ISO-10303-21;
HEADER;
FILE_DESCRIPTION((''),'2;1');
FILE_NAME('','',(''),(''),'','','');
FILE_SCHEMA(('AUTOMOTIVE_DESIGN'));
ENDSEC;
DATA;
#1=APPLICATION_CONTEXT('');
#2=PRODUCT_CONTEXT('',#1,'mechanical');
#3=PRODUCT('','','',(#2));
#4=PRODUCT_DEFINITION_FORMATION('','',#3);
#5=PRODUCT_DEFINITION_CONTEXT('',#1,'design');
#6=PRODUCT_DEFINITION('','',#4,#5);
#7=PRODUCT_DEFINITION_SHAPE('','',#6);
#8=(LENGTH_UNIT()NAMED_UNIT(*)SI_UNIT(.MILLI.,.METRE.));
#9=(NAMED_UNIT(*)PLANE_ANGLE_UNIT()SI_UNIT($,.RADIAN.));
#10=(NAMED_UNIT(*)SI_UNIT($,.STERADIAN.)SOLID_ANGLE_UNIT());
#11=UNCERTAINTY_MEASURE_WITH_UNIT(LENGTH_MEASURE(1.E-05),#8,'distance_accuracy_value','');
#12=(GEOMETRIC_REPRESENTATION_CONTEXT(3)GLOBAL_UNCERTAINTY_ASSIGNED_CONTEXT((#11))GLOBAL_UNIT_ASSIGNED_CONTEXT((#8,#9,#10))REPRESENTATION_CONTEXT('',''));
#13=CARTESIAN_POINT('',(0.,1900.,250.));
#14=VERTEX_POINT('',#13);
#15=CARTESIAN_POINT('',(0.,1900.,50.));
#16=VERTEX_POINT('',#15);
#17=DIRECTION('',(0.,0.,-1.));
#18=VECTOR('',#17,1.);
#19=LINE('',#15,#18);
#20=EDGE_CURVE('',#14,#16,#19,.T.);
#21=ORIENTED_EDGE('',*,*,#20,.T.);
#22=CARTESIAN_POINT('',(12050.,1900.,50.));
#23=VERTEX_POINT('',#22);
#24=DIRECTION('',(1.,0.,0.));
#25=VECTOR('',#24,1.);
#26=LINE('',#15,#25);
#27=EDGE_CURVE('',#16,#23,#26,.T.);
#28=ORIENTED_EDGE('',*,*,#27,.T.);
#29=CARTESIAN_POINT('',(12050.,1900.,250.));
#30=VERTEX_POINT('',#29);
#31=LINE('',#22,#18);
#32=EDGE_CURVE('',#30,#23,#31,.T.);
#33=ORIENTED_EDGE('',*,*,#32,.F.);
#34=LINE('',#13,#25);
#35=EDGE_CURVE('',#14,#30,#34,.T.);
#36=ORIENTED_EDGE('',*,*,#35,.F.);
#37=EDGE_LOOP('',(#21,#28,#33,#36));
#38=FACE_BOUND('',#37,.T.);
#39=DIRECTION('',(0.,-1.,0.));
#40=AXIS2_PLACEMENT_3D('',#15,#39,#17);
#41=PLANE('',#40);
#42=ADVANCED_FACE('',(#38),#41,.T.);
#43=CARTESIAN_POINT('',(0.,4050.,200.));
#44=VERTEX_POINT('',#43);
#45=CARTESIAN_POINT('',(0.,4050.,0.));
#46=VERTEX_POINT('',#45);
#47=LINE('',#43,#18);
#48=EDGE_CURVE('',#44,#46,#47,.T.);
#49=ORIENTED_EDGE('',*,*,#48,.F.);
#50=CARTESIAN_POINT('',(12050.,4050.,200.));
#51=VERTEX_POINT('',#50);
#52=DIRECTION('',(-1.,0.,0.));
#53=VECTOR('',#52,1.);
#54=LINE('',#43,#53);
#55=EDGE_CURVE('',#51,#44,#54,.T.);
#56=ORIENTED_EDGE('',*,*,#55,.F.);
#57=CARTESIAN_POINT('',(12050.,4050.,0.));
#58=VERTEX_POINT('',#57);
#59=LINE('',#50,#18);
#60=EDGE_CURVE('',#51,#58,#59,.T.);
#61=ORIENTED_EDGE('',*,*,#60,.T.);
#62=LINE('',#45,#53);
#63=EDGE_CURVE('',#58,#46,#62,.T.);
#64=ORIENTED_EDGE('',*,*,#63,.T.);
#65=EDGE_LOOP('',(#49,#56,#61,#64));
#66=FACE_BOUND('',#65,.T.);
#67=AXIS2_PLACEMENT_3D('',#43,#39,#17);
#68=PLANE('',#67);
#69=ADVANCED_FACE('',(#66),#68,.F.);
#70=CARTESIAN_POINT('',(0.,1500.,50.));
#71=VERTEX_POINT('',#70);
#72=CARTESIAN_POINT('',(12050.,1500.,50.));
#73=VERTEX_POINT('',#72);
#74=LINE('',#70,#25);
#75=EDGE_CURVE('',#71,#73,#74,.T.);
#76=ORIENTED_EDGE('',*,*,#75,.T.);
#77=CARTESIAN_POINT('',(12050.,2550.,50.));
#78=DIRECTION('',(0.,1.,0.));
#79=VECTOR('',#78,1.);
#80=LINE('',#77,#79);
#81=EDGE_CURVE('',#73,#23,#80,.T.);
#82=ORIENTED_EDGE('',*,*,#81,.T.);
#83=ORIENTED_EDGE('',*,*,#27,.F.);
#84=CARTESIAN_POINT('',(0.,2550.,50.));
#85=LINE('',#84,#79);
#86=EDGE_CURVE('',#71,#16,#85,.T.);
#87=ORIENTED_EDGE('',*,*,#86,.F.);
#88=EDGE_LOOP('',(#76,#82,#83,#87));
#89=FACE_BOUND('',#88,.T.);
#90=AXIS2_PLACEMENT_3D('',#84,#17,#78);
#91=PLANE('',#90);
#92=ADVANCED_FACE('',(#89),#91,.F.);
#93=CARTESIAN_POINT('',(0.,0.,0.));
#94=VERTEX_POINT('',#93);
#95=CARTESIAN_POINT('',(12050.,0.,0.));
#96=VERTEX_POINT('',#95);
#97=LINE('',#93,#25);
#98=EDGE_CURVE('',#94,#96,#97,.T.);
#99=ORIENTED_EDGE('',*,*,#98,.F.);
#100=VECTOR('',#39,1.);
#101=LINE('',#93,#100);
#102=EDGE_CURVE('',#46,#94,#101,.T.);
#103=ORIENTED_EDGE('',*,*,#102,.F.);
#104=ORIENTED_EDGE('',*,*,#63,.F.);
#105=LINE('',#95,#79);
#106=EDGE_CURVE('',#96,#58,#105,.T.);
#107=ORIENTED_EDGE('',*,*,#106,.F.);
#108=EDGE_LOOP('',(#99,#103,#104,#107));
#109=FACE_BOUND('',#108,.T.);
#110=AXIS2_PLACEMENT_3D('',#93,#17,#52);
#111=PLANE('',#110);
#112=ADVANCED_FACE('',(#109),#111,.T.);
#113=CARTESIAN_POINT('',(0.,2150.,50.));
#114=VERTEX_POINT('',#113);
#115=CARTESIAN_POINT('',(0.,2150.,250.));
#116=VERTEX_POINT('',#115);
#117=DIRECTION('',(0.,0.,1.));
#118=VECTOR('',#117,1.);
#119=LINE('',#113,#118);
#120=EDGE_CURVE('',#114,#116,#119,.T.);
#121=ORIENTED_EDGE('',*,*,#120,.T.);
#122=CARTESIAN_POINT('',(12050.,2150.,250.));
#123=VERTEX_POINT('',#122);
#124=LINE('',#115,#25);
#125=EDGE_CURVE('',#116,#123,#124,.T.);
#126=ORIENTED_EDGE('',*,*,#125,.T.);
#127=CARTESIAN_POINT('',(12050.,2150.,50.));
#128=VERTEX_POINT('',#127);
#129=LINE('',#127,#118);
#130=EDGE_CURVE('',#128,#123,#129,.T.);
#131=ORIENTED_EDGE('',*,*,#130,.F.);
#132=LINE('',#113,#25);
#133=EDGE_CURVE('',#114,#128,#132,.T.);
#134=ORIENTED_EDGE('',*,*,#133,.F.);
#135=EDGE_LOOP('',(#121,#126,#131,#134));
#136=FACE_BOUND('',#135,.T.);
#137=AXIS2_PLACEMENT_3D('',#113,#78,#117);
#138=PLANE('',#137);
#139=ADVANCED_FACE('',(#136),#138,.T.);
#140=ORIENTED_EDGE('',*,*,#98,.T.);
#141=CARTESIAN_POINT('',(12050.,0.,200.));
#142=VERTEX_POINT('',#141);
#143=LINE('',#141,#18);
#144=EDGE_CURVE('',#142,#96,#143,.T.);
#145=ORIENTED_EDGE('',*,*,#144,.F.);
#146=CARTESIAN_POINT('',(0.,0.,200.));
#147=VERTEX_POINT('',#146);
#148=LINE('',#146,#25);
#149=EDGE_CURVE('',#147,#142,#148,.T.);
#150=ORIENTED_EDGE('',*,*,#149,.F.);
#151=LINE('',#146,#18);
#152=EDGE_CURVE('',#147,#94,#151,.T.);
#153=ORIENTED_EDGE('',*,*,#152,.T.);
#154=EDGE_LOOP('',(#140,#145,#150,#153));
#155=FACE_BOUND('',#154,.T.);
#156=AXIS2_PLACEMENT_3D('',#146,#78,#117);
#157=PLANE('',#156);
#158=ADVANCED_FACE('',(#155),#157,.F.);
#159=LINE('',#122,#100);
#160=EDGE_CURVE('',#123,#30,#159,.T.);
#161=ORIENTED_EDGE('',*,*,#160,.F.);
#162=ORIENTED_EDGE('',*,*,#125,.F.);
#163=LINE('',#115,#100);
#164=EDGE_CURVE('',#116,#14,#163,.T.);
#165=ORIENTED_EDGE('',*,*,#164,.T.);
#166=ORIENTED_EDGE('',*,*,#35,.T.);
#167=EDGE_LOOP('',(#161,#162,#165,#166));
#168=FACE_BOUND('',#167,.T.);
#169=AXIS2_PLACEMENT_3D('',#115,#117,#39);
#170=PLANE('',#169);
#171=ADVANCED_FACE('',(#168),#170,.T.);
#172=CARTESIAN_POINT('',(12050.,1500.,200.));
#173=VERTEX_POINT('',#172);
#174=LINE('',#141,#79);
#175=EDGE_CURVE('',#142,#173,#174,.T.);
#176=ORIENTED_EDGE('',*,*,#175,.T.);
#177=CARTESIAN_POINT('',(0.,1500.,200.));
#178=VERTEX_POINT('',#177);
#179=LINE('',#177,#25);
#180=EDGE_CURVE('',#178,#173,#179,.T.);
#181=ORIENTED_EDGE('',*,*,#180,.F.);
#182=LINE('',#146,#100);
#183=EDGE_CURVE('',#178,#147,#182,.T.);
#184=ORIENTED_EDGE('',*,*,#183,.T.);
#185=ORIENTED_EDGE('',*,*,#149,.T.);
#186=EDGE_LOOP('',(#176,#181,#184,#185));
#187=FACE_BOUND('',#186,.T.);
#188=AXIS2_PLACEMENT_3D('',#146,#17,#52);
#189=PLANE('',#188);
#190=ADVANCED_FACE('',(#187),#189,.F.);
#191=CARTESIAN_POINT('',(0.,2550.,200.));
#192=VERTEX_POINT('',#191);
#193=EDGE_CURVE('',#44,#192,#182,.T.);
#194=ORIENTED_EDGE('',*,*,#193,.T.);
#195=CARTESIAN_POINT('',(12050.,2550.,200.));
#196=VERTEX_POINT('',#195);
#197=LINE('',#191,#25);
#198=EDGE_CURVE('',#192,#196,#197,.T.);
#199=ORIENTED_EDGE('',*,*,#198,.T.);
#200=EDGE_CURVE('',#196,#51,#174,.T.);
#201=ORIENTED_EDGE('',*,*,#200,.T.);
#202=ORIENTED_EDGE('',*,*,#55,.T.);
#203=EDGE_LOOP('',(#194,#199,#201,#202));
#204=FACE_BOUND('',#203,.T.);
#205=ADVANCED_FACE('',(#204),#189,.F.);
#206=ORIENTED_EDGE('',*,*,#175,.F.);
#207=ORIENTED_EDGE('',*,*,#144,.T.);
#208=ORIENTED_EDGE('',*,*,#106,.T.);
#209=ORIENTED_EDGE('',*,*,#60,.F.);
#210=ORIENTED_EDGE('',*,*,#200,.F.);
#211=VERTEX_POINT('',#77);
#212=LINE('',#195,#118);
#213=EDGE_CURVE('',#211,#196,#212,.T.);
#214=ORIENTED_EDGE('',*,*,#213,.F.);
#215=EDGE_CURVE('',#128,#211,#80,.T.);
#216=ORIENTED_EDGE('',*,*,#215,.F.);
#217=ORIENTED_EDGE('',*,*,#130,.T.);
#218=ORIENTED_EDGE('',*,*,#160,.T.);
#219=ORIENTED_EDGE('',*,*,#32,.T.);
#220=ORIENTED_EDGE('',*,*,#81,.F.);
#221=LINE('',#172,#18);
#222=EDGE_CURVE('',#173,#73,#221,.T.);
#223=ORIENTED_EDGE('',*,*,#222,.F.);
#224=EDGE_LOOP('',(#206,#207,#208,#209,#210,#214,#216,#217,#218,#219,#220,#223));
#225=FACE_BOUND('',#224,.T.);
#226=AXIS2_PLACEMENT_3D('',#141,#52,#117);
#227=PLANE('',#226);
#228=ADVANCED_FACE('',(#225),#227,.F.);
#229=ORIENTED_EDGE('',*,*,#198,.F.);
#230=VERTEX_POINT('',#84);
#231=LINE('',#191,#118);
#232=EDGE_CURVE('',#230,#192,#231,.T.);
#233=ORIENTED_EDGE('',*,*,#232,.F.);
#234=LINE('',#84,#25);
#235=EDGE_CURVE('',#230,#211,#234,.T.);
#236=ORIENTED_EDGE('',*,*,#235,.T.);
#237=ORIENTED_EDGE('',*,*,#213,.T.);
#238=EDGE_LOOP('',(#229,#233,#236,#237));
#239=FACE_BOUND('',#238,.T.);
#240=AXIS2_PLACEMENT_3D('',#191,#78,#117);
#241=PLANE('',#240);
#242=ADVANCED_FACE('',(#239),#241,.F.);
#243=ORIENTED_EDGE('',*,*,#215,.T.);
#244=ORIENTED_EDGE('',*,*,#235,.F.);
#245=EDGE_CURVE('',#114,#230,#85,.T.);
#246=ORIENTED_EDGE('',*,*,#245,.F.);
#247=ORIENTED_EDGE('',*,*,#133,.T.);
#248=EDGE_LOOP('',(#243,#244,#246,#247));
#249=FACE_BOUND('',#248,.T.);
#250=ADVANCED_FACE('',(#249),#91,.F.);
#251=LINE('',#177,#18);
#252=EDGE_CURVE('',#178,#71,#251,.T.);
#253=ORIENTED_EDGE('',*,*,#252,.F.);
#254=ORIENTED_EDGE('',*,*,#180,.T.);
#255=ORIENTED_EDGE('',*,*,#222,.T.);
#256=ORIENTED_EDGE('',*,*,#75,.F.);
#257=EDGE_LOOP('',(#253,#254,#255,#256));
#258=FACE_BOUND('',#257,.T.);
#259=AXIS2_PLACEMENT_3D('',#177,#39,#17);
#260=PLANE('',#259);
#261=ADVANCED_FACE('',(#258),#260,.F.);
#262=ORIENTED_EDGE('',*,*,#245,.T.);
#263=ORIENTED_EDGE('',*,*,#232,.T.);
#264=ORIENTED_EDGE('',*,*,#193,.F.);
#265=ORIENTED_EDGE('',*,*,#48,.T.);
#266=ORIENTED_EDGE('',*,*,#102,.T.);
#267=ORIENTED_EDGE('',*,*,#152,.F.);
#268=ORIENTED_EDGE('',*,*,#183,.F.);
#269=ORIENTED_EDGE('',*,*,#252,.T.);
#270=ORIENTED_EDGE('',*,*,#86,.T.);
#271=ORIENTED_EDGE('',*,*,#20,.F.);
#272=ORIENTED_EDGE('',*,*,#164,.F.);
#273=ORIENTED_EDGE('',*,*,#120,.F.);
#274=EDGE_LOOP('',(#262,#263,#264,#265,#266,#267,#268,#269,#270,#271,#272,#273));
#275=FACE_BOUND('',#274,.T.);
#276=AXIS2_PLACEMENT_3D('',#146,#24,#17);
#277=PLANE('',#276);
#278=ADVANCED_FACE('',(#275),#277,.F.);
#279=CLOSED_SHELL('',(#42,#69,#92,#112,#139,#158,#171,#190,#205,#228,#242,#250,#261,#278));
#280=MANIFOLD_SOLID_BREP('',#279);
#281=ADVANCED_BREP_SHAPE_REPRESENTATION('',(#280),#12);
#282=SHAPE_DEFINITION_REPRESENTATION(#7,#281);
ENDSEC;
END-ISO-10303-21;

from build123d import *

# Parameters (mm, degrees)
SKIZZE1_W                       = 12050
SKIZZE1_H                       = 4050
AUFSATZ_LINEAR_AUSTRAGEN1_DEPTH = 200
SKIZZE2_W                       = 150
SKIZZE2_H                       = 1050
SCHNITT_LINEAR_AUSTRAGEN1_DEPTH = 12714.968695887
SKIZZE3_W                       = 200
SKIZZE3_H                       = 250
AUFSATZ_LINEAR_AUSTRAGEN2_DEPTH = 12050


with BuildPart() as part:
    # Skizze1 → Aufsatz-Linear austragen1 (new body)
    with BuildSketch(Plane.XY):
        with Locations((6025, 2025)):
            Rectangle(SKIZZE1_W, SKIZZE1_H)
    extrude(amount=AUFSATZ_LINEAR_AUSTRAGEN1_DEPTH)

    # Skizze2 → Schnitt-Linear austragen1 (cut, through all)
    with BuildSketch(Plane(origin=(12050, 0, 0), x_dir=(0, 0, -1), z_dir=(1, 0, 0))):
        with Locations((-125, 2025)):
            Rectangle(SKIZZE2_W, SKIZZE2_H)
    extrude(amount=-SCHNITT_LINEAR_AUSTRAGEN1_DEPTH, mode=Mode.SUBTRACT)

    # Skizze3 → Aufsatz-Linear austragen2 (add)
    with BuildSketch(Plane(origin=(12050, 0, 0), x_dir=(0, 0, -1), z_dir=(1, 0, 0))):
        with Locations((-150, 2025)):
            Rectangle(SKIZZE3_W, SKIZZE3_H)
    extrude(amount=-AUFSATZ_LINEAR_AUSTRAGEN2_DEPTH)


solid = part.part
